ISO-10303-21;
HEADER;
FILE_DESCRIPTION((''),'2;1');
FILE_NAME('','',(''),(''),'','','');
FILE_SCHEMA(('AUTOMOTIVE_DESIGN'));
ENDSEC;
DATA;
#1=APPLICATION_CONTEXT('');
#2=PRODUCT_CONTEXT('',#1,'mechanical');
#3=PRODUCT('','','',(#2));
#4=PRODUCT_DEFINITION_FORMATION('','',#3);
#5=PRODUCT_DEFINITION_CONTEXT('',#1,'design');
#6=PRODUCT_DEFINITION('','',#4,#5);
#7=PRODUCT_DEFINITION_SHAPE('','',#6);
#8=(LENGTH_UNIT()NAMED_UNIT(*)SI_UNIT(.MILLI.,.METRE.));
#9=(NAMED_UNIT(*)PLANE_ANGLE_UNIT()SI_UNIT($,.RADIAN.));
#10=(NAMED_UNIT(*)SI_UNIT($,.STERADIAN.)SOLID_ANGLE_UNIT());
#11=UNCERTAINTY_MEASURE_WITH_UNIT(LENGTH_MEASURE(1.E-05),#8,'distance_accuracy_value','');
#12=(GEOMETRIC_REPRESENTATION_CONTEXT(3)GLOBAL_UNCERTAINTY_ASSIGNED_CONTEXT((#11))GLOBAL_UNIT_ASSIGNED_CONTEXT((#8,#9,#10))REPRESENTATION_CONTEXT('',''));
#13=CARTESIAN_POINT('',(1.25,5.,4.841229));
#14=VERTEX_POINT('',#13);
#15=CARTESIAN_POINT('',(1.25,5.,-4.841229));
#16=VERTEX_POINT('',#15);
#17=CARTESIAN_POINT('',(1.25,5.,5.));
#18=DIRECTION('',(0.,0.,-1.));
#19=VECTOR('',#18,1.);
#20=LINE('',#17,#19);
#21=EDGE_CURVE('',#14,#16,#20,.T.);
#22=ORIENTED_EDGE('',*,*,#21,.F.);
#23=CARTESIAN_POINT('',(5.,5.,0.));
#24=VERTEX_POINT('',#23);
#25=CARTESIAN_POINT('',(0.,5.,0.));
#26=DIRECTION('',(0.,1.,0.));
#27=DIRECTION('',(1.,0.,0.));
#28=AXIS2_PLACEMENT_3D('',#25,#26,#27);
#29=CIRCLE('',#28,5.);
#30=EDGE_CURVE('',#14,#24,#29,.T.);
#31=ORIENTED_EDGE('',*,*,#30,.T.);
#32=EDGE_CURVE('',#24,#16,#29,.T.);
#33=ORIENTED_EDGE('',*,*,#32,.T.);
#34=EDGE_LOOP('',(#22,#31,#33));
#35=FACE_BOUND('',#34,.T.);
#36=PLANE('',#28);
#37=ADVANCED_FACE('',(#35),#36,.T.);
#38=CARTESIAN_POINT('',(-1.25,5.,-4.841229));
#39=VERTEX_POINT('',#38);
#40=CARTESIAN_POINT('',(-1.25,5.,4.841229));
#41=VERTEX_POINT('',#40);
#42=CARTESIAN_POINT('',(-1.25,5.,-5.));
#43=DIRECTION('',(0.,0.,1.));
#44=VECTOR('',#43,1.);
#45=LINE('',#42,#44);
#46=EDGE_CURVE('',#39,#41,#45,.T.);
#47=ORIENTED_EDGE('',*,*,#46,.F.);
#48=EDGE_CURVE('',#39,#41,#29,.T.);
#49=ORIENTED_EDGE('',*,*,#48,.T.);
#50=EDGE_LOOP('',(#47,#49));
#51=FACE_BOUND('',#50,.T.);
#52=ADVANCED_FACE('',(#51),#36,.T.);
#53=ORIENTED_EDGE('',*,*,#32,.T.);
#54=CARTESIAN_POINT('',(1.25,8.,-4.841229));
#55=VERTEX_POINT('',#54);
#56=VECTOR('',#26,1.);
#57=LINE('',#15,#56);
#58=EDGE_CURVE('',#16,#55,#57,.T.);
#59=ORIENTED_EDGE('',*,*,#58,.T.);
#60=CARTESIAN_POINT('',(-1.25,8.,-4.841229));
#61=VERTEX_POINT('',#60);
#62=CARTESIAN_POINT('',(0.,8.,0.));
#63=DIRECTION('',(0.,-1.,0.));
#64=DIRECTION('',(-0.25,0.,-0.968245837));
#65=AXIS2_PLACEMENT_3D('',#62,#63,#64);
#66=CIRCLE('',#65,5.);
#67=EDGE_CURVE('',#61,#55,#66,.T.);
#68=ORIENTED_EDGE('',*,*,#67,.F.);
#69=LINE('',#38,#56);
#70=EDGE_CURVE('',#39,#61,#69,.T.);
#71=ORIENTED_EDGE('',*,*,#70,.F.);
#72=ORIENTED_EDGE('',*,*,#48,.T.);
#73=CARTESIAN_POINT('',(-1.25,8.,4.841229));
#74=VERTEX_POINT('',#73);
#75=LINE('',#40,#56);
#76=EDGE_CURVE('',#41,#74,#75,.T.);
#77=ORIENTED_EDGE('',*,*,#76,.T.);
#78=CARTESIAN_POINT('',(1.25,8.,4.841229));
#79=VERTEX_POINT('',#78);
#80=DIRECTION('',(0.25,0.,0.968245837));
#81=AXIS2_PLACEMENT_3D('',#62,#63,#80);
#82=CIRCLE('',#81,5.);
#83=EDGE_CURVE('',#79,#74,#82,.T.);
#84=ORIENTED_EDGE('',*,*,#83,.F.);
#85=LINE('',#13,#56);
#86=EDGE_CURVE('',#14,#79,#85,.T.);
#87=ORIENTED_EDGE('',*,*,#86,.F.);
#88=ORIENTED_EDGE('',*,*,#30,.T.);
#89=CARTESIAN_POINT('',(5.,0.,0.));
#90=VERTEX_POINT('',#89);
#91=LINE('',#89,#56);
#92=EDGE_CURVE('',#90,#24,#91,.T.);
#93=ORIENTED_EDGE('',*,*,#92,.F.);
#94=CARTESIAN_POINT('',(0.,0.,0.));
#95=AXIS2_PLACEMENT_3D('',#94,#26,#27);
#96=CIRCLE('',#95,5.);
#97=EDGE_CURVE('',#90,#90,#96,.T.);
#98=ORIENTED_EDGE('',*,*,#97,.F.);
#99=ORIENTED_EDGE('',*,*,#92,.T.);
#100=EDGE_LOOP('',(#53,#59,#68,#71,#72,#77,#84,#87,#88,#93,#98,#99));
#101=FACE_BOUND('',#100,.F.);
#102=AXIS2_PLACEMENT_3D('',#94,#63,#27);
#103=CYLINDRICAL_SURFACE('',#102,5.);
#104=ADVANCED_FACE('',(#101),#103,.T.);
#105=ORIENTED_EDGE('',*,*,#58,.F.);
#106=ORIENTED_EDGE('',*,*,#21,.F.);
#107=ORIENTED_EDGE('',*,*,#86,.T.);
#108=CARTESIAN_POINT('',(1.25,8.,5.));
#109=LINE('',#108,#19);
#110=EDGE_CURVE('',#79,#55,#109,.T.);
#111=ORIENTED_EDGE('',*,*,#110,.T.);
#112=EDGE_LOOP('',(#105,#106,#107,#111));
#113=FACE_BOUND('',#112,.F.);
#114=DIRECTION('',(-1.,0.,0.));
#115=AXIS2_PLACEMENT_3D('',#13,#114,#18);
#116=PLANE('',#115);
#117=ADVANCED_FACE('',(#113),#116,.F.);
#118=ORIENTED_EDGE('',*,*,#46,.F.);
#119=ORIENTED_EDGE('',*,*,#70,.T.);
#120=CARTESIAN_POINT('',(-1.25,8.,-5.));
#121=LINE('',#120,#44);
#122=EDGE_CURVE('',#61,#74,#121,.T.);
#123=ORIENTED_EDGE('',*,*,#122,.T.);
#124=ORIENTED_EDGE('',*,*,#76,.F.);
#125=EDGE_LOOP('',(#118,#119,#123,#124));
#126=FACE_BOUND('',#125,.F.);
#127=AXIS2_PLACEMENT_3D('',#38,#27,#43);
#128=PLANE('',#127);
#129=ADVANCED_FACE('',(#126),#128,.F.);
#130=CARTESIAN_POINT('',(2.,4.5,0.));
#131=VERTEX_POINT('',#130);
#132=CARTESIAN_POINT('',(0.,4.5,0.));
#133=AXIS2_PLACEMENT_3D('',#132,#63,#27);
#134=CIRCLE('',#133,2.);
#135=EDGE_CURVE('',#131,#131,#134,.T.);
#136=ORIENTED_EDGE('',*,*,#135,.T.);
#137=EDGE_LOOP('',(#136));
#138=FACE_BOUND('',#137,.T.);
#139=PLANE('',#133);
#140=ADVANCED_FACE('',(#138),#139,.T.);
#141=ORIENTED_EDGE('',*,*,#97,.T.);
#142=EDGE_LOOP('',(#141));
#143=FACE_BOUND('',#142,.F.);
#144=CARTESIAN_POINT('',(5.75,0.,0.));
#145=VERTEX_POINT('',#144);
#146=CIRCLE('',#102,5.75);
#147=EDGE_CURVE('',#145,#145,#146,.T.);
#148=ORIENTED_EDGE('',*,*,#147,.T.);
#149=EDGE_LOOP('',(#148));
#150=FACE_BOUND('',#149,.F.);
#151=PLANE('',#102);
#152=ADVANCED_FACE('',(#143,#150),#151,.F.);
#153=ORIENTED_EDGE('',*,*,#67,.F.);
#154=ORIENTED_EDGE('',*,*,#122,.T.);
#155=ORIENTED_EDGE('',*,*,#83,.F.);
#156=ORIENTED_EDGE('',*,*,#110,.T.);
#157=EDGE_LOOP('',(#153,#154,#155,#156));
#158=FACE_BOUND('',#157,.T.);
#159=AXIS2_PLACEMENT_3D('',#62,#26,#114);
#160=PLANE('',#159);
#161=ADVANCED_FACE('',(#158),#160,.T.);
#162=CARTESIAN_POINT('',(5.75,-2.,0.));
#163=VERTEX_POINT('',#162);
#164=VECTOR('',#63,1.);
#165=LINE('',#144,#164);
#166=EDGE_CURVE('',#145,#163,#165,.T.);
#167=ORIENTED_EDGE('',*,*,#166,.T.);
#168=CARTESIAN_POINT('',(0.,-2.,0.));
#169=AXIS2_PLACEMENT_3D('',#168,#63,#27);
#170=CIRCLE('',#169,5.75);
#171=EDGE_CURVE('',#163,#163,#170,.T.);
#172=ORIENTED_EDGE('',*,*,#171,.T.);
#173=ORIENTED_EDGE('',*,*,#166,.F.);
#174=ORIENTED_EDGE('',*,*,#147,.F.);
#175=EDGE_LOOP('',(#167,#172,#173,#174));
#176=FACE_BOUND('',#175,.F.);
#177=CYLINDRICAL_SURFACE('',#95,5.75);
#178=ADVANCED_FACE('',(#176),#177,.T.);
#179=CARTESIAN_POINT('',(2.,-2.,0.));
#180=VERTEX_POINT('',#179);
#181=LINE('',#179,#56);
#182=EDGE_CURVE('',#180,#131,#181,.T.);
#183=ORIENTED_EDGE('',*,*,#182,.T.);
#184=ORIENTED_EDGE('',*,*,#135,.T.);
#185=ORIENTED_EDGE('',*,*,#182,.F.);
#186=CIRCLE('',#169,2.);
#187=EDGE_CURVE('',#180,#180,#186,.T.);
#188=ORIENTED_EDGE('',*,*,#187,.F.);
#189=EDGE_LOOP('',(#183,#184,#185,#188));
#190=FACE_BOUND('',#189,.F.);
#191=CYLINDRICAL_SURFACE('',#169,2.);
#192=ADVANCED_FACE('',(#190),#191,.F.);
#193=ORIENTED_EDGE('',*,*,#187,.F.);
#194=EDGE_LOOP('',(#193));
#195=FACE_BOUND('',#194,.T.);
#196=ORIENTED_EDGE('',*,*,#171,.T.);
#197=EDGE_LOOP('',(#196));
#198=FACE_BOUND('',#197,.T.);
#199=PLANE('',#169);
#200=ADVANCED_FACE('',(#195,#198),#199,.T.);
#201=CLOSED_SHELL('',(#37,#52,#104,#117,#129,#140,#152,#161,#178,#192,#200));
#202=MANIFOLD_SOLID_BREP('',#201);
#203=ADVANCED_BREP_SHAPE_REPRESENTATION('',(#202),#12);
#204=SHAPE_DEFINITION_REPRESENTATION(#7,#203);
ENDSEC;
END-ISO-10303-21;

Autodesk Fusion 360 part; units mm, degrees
sketch "Sketch1" plane through (0, 0, 0) normal (0, 1, 0) x (1, 0, 0)
  circle A0 centre (0, 0) radius 5
  dimension "d1" = 10
extrude "Extrude1" add sketch "Sketch1" along normal blind 5
sketch "Sketch2" plane through (0, 5, 0) normal (0, 1, 0) x (-1, 0, 0)
  circle A0 centre (0, 0) radius 5
  line L0 (-1.25, -5) -> (1.25, -5)
  line L1 (1.25, -5) -> (1.25, 5)
  line L2 (1.25, 5) -> (-1.25, 5)
  line L3 (-1.25, 5) -> (-1.25, -5)
  line L4 (-1.25, -5) -> (1.25, 5) construction
  line L5 (1.25, -5) -> (-1.25, 5) construction
  dimension "d4" = 2.5
  dimension "d5" = 10
extrude "Extrude2" add sketch "Sketch2" along normal blind 3 contours A0 L1 L3
sketch "Sketch3" plane through (0, 0, 0) normal (0, -1, 0) x (1, 0, 0)
  circle A0 centre (0, 0) radius 5
  circle A1 centre (0, 0) radius 5.75
  dimension "d8" = 11.5
extrude "Extrude3" add sketch "Sketch3" along normal blind 2 contours A0 | A1
sketch "Sketch5" plane through (0, -2, 0) normal (0, -1, 0) x (1, 0, 0)
  circle A0 centre (0, 0) radius 5.75
  circle A1 centre (0, 0) radius 2
  dimension "d11" = 4
extrude "Extrude4" cut sketch "Sketch5" against normal blind 6.5 contours A1
